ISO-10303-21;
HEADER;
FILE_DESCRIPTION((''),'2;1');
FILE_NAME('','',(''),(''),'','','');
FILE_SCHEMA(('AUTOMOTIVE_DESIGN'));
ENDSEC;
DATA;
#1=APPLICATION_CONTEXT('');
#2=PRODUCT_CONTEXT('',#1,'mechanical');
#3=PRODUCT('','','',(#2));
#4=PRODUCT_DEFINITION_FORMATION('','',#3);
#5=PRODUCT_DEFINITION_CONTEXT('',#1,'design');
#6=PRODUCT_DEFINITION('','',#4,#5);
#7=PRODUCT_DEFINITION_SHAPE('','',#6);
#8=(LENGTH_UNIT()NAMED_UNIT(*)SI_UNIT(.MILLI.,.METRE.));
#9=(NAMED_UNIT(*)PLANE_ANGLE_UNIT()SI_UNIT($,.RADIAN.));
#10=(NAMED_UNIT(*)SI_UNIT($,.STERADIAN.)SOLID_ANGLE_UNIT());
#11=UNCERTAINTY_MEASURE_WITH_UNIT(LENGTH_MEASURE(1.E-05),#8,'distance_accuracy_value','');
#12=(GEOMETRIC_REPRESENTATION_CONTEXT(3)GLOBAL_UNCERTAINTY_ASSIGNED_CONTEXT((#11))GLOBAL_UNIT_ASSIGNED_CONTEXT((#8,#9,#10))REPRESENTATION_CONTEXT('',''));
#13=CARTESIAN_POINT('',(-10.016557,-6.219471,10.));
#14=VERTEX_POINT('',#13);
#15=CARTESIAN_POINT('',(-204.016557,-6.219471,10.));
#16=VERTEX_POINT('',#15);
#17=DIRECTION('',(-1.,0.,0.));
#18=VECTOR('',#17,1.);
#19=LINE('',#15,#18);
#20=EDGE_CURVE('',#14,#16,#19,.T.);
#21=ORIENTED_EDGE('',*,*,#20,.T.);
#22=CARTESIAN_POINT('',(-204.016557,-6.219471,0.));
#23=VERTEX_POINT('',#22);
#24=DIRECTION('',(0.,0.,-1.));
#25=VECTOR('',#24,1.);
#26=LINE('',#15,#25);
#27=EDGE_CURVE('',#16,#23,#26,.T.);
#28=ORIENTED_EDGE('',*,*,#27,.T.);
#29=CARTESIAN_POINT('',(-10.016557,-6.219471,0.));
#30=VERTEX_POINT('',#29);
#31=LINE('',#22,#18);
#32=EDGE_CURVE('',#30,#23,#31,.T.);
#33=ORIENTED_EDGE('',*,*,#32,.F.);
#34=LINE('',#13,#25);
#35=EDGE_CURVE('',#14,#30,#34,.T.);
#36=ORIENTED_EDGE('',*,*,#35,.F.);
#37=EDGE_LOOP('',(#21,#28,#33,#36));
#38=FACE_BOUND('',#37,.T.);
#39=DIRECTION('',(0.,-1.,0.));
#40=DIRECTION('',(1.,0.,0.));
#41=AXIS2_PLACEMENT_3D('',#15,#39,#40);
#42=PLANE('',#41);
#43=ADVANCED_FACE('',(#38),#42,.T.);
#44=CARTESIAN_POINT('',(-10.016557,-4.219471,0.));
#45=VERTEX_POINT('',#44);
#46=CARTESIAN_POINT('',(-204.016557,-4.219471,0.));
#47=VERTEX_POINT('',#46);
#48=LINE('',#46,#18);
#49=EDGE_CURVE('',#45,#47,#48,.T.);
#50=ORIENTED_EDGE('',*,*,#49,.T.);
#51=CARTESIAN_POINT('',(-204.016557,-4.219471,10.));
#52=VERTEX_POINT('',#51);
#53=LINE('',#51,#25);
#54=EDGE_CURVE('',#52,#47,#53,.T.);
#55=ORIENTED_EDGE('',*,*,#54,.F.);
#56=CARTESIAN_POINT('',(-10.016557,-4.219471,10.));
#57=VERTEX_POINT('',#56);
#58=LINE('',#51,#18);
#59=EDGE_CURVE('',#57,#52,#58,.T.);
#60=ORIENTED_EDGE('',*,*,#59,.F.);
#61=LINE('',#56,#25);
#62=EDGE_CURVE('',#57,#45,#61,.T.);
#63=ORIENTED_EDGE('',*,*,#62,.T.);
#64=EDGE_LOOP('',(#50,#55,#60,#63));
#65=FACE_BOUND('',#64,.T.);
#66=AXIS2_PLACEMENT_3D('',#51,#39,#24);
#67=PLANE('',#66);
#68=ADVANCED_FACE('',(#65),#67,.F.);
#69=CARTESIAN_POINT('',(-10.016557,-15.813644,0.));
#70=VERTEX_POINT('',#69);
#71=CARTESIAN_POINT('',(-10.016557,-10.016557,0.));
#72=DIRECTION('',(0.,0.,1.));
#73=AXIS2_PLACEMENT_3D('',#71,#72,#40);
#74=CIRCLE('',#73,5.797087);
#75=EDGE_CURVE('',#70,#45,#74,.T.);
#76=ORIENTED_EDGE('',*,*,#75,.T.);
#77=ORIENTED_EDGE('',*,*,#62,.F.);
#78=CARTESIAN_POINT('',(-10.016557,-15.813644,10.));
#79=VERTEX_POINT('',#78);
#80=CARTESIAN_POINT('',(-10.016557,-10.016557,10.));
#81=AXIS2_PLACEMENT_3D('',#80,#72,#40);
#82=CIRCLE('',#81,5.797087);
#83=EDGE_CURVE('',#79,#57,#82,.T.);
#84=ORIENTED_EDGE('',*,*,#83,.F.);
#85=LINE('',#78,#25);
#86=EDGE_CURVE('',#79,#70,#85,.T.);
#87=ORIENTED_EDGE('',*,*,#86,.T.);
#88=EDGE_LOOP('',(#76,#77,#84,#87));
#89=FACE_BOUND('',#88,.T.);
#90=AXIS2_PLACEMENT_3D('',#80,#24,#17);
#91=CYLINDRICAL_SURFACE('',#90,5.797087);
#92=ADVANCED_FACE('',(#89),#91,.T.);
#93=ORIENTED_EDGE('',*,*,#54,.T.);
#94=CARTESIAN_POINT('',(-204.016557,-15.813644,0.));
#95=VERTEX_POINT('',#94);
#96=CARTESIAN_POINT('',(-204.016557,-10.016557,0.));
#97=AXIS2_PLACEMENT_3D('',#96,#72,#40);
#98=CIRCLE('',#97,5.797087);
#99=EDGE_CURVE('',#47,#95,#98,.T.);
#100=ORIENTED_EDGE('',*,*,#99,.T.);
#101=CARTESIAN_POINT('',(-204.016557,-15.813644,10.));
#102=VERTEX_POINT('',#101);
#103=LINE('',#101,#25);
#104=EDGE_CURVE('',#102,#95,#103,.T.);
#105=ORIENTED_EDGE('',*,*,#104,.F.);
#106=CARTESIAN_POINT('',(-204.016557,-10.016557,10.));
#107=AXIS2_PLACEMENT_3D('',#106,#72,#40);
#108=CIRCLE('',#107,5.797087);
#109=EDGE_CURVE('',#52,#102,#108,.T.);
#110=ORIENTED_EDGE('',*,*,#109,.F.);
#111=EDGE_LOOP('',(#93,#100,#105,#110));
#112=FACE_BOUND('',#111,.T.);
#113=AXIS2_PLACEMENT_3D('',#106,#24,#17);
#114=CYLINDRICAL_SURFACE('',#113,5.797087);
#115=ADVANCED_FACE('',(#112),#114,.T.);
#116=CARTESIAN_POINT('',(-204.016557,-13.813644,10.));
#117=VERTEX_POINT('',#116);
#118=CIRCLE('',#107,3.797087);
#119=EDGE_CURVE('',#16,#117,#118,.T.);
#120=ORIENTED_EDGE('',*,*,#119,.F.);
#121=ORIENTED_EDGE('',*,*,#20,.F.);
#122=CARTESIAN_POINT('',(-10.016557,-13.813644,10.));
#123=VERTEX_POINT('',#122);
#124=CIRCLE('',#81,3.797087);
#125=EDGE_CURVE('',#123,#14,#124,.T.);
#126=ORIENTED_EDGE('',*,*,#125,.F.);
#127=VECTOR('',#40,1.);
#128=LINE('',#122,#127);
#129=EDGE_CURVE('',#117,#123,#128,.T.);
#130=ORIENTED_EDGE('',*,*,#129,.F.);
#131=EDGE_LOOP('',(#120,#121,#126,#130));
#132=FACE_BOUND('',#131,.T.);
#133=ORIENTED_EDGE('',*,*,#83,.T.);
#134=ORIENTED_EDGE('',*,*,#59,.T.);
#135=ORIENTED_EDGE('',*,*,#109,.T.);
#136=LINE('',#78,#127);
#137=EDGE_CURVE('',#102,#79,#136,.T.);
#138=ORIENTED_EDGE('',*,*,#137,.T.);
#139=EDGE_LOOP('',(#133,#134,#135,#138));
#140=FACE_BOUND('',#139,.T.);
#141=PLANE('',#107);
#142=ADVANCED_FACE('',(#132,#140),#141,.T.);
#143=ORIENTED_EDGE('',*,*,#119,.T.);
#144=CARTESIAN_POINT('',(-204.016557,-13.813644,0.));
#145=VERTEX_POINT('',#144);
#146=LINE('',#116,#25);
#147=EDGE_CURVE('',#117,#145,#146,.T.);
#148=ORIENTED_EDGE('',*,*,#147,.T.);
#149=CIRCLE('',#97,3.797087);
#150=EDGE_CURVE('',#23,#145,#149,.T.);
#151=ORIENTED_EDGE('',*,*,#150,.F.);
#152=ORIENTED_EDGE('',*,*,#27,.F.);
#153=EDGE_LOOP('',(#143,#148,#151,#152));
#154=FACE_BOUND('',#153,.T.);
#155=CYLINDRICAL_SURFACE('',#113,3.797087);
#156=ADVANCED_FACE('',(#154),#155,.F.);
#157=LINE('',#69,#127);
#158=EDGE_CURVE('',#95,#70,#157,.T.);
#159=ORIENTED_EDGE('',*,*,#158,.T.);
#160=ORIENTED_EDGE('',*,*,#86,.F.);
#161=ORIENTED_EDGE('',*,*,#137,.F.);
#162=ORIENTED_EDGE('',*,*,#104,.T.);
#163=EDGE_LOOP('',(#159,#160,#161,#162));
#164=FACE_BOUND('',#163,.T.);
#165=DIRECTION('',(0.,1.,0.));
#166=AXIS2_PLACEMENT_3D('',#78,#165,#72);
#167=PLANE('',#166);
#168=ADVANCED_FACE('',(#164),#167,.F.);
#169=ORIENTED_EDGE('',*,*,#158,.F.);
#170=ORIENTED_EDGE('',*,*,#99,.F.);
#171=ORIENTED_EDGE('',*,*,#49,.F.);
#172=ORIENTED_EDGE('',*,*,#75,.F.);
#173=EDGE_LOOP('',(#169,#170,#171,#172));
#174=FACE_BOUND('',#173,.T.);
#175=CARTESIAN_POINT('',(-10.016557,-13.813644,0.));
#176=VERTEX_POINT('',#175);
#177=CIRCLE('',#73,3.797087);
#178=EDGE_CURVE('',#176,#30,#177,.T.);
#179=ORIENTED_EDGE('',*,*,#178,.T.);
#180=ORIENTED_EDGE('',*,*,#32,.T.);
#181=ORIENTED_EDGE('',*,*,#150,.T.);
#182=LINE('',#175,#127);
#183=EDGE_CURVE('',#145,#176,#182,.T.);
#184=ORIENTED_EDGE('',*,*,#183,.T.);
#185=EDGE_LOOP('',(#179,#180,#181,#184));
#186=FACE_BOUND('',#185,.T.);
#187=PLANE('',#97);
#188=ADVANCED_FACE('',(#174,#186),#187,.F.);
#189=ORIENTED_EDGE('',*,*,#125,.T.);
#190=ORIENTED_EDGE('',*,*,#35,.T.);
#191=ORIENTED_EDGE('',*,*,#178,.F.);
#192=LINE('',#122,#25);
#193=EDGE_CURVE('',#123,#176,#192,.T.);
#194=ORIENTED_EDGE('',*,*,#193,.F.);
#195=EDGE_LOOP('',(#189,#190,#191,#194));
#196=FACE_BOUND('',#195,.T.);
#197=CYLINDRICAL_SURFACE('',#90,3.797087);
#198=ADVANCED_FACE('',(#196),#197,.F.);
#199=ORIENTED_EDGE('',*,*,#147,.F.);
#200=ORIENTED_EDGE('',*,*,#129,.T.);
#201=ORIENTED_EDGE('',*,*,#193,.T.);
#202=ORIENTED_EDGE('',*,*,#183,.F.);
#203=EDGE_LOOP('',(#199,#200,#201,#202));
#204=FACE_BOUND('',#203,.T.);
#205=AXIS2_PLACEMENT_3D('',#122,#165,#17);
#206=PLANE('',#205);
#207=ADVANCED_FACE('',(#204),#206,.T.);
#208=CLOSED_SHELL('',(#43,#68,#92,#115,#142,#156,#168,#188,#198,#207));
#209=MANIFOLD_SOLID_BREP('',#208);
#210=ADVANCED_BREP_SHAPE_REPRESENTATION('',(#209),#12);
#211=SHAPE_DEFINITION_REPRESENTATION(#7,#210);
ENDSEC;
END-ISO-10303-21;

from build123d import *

# Parameters (mm, degrees)
BOSS_EXTRUDE1_DEPTH = 10


with BuildPart() as part:
    # Sketch1 → Boss-Extrude1 (new body)
    with BuildSketch(Plane.XY):
        with BuildLine():
            Line((-204.016557459, -4.219470759), (-10.016557459, -4.219470759))
            ThreePointArc((-10.016557459, -4.219470759), (-4.219470759, -10.016557459), (-10.016557459, -15.813644159))
            Line((-10.016557459, -15.813644159), (-204.016557459, -15.813644159))
            ThreePointArc((-204.016557459, -15.813644159), (-209.813644159, -10.016557459), (-204.016557459, -4.219470759))
        make_face()
        with BuildLine():
            Line((-204.016557459, -6.219470759), (-10.016557459, -6.219470759))
            ThreePointArc((-10.016557459, -6.219470759), (-6.219470759, -10.016557459), (-10.016557459, -13.813644159))
            Line((-10.016557459, -13.813644159), (-204.016557459, -13.813644159))
            ThreePointArc((-204.016557459, -13.813644159), (-207.813644159, -10.016557459), (-204.016557459, -6.219470759))
        make_face(mode=Mode.SUBTRACT)
    extrude(amount=BOSS_EXTRUDE1_DEPTH)


solid = part.part
